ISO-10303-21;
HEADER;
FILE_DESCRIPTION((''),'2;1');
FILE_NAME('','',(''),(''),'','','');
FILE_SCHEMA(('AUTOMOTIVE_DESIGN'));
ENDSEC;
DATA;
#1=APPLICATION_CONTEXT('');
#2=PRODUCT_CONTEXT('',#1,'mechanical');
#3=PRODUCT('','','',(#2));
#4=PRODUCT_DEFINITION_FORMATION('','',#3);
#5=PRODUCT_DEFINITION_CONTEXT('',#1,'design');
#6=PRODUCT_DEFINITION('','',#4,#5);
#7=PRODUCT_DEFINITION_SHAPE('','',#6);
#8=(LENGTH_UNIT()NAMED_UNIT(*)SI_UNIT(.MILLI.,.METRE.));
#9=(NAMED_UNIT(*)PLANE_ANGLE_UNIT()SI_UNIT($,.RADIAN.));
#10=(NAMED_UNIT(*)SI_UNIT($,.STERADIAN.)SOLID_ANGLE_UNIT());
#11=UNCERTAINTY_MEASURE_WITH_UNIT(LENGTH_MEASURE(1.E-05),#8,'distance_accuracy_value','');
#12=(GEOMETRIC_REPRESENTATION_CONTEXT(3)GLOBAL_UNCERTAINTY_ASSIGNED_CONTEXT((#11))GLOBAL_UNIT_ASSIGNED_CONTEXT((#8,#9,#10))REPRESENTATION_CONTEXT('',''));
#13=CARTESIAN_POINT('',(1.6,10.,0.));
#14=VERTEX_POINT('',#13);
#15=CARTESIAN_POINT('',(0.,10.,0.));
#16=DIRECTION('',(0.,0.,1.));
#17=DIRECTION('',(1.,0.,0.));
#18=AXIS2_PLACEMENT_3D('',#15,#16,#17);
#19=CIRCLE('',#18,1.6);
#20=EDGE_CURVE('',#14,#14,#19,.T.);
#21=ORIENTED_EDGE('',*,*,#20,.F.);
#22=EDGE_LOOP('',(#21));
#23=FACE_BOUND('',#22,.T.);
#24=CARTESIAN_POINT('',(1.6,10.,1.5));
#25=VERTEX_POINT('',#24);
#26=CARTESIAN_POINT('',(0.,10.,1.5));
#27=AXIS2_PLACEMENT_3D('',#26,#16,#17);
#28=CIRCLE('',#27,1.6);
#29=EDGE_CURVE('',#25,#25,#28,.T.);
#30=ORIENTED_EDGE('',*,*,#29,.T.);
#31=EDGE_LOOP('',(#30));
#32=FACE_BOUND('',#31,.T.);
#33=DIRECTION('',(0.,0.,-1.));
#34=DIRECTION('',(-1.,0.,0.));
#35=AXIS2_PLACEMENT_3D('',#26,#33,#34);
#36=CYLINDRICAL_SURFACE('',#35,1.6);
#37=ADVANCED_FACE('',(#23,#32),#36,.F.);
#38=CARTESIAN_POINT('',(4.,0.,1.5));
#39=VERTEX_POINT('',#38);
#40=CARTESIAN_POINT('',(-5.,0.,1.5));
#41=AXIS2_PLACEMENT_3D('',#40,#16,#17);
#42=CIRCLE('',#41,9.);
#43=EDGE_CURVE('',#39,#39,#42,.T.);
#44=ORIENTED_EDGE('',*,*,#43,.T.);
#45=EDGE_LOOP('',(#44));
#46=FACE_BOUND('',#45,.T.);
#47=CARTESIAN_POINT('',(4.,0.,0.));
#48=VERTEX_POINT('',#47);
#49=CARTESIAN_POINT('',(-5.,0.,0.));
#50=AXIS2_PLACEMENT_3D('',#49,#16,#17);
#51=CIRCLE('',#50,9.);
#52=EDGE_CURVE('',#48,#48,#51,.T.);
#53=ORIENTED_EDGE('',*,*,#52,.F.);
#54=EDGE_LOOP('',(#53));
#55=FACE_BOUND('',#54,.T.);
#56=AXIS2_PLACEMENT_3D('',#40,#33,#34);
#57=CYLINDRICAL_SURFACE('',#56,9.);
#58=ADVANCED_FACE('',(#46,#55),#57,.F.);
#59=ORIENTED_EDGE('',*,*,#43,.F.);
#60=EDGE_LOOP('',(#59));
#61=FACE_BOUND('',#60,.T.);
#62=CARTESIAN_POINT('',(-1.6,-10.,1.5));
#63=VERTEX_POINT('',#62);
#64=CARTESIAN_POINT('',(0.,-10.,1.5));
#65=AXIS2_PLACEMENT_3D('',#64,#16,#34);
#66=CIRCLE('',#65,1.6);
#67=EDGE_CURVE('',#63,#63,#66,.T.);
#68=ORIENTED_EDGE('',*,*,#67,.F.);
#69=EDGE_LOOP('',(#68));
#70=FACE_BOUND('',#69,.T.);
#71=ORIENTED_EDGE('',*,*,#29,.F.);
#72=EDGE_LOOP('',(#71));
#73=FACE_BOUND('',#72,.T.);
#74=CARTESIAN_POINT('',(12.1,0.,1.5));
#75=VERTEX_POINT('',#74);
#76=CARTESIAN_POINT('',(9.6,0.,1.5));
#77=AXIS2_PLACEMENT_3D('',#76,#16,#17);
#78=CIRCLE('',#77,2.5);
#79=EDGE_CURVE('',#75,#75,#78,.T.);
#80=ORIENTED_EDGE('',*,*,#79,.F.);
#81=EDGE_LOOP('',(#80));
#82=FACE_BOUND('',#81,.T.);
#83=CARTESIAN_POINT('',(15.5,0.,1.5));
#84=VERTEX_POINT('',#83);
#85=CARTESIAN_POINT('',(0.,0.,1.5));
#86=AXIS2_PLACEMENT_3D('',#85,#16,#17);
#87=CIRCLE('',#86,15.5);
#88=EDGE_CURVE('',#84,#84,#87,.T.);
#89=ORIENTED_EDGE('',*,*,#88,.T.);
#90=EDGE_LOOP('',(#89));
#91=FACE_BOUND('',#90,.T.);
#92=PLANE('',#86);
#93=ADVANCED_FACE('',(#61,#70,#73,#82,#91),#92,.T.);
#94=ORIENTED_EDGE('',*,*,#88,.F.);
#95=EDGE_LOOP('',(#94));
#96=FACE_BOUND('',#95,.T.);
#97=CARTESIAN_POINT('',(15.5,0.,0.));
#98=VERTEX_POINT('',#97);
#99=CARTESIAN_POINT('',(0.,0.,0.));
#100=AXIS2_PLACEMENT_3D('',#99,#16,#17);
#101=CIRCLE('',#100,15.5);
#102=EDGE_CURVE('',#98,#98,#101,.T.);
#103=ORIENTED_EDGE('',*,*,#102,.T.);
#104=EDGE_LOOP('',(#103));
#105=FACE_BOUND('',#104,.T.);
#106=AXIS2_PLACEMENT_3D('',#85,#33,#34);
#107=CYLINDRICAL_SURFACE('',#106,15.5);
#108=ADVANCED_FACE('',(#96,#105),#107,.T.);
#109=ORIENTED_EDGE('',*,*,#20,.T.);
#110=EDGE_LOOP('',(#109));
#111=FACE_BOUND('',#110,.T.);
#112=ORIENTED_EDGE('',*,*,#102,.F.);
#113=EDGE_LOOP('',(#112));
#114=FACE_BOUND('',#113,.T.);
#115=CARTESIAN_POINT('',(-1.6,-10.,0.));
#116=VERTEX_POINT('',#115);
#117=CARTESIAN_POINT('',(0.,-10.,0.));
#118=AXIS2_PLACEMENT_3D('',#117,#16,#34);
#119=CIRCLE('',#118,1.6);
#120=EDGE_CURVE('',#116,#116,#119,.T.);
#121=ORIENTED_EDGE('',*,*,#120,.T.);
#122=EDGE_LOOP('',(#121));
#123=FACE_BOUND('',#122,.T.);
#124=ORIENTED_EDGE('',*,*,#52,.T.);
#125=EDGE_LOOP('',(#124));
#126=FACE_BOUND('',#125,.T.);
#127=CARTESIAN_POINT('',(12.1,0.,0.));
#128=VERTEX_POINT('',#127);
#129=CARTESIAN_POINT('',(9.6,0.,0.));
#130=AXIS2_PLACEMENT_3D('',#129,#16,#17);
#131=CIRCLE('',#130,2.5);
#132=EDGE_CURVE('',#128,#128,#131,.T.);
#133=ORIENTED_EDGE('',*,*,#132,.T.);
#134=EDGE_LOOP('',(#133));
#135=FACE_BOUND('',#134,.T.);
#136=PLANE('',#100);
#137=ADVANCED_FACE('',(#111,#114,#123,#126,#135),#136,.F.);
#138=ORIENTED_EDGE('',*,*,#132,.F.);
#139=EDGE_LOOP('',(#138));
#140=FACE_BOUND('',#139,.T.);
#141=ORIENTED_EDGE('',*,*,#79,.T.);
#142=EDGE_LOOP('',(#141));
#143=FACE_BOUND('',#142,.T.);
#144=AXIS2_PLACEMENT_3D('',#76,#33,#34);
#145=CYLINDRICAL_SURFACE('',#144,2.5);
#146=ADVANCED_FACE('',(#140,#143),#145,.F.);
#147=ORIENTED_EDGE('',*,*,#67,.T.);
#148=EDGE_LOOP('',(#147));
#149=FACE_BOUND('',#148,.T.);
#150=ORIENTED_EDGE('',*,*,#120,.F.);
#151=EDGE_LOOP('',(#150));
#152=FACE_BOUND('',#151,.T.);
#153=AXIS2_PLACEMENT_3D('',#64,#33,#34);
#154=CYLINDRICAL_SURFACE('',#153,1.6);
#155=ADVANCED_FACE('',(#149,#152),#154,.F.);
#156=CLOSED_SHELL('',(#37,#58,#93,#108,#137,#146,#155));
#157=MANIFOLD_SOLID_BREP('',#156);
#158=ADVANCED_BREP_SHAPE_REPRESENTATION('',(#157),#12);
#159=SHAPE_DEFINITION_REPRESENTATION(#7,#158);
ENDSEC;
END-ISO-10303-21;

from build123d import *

# Parameters (mm, degrees)
SKETCH_1_R      = 15.5
SKETCH_1_R_2    = 9
SKETCH_1_R_3    = 2.5
SKETCH_1_R_4    = 1.6
EXTRUDE_1_DEPTH = 1.5


with BuildPart() as part:
    # Эскиз1 → Бобышка-Вытянуть1 (new body)
    with BuildSketch(Plane.XY):
        Circle(SKETCH_1_R)
        with Locations((-5, 0)):
            Circle(SKETCH_1_R_2, mode=Mode.SUBTRACT)
        with Locations((9.6, 0)):
            Circle(SKETCH_1_R_3, mode=Mode.SUBTRACT)
        with Locations((0, 10)):
            Circle(SKETCH_1_R_4, mode=Mode.SUBTRACT)
        with Locations(Location((0, -10, 0), (0, 0, 180))):
            Circle(SKETCH_1_R_4, mode=Mode.SUBTRACT)
    extrude(amount=EXTRUDE_1_DEPTH)


solid = part.part
